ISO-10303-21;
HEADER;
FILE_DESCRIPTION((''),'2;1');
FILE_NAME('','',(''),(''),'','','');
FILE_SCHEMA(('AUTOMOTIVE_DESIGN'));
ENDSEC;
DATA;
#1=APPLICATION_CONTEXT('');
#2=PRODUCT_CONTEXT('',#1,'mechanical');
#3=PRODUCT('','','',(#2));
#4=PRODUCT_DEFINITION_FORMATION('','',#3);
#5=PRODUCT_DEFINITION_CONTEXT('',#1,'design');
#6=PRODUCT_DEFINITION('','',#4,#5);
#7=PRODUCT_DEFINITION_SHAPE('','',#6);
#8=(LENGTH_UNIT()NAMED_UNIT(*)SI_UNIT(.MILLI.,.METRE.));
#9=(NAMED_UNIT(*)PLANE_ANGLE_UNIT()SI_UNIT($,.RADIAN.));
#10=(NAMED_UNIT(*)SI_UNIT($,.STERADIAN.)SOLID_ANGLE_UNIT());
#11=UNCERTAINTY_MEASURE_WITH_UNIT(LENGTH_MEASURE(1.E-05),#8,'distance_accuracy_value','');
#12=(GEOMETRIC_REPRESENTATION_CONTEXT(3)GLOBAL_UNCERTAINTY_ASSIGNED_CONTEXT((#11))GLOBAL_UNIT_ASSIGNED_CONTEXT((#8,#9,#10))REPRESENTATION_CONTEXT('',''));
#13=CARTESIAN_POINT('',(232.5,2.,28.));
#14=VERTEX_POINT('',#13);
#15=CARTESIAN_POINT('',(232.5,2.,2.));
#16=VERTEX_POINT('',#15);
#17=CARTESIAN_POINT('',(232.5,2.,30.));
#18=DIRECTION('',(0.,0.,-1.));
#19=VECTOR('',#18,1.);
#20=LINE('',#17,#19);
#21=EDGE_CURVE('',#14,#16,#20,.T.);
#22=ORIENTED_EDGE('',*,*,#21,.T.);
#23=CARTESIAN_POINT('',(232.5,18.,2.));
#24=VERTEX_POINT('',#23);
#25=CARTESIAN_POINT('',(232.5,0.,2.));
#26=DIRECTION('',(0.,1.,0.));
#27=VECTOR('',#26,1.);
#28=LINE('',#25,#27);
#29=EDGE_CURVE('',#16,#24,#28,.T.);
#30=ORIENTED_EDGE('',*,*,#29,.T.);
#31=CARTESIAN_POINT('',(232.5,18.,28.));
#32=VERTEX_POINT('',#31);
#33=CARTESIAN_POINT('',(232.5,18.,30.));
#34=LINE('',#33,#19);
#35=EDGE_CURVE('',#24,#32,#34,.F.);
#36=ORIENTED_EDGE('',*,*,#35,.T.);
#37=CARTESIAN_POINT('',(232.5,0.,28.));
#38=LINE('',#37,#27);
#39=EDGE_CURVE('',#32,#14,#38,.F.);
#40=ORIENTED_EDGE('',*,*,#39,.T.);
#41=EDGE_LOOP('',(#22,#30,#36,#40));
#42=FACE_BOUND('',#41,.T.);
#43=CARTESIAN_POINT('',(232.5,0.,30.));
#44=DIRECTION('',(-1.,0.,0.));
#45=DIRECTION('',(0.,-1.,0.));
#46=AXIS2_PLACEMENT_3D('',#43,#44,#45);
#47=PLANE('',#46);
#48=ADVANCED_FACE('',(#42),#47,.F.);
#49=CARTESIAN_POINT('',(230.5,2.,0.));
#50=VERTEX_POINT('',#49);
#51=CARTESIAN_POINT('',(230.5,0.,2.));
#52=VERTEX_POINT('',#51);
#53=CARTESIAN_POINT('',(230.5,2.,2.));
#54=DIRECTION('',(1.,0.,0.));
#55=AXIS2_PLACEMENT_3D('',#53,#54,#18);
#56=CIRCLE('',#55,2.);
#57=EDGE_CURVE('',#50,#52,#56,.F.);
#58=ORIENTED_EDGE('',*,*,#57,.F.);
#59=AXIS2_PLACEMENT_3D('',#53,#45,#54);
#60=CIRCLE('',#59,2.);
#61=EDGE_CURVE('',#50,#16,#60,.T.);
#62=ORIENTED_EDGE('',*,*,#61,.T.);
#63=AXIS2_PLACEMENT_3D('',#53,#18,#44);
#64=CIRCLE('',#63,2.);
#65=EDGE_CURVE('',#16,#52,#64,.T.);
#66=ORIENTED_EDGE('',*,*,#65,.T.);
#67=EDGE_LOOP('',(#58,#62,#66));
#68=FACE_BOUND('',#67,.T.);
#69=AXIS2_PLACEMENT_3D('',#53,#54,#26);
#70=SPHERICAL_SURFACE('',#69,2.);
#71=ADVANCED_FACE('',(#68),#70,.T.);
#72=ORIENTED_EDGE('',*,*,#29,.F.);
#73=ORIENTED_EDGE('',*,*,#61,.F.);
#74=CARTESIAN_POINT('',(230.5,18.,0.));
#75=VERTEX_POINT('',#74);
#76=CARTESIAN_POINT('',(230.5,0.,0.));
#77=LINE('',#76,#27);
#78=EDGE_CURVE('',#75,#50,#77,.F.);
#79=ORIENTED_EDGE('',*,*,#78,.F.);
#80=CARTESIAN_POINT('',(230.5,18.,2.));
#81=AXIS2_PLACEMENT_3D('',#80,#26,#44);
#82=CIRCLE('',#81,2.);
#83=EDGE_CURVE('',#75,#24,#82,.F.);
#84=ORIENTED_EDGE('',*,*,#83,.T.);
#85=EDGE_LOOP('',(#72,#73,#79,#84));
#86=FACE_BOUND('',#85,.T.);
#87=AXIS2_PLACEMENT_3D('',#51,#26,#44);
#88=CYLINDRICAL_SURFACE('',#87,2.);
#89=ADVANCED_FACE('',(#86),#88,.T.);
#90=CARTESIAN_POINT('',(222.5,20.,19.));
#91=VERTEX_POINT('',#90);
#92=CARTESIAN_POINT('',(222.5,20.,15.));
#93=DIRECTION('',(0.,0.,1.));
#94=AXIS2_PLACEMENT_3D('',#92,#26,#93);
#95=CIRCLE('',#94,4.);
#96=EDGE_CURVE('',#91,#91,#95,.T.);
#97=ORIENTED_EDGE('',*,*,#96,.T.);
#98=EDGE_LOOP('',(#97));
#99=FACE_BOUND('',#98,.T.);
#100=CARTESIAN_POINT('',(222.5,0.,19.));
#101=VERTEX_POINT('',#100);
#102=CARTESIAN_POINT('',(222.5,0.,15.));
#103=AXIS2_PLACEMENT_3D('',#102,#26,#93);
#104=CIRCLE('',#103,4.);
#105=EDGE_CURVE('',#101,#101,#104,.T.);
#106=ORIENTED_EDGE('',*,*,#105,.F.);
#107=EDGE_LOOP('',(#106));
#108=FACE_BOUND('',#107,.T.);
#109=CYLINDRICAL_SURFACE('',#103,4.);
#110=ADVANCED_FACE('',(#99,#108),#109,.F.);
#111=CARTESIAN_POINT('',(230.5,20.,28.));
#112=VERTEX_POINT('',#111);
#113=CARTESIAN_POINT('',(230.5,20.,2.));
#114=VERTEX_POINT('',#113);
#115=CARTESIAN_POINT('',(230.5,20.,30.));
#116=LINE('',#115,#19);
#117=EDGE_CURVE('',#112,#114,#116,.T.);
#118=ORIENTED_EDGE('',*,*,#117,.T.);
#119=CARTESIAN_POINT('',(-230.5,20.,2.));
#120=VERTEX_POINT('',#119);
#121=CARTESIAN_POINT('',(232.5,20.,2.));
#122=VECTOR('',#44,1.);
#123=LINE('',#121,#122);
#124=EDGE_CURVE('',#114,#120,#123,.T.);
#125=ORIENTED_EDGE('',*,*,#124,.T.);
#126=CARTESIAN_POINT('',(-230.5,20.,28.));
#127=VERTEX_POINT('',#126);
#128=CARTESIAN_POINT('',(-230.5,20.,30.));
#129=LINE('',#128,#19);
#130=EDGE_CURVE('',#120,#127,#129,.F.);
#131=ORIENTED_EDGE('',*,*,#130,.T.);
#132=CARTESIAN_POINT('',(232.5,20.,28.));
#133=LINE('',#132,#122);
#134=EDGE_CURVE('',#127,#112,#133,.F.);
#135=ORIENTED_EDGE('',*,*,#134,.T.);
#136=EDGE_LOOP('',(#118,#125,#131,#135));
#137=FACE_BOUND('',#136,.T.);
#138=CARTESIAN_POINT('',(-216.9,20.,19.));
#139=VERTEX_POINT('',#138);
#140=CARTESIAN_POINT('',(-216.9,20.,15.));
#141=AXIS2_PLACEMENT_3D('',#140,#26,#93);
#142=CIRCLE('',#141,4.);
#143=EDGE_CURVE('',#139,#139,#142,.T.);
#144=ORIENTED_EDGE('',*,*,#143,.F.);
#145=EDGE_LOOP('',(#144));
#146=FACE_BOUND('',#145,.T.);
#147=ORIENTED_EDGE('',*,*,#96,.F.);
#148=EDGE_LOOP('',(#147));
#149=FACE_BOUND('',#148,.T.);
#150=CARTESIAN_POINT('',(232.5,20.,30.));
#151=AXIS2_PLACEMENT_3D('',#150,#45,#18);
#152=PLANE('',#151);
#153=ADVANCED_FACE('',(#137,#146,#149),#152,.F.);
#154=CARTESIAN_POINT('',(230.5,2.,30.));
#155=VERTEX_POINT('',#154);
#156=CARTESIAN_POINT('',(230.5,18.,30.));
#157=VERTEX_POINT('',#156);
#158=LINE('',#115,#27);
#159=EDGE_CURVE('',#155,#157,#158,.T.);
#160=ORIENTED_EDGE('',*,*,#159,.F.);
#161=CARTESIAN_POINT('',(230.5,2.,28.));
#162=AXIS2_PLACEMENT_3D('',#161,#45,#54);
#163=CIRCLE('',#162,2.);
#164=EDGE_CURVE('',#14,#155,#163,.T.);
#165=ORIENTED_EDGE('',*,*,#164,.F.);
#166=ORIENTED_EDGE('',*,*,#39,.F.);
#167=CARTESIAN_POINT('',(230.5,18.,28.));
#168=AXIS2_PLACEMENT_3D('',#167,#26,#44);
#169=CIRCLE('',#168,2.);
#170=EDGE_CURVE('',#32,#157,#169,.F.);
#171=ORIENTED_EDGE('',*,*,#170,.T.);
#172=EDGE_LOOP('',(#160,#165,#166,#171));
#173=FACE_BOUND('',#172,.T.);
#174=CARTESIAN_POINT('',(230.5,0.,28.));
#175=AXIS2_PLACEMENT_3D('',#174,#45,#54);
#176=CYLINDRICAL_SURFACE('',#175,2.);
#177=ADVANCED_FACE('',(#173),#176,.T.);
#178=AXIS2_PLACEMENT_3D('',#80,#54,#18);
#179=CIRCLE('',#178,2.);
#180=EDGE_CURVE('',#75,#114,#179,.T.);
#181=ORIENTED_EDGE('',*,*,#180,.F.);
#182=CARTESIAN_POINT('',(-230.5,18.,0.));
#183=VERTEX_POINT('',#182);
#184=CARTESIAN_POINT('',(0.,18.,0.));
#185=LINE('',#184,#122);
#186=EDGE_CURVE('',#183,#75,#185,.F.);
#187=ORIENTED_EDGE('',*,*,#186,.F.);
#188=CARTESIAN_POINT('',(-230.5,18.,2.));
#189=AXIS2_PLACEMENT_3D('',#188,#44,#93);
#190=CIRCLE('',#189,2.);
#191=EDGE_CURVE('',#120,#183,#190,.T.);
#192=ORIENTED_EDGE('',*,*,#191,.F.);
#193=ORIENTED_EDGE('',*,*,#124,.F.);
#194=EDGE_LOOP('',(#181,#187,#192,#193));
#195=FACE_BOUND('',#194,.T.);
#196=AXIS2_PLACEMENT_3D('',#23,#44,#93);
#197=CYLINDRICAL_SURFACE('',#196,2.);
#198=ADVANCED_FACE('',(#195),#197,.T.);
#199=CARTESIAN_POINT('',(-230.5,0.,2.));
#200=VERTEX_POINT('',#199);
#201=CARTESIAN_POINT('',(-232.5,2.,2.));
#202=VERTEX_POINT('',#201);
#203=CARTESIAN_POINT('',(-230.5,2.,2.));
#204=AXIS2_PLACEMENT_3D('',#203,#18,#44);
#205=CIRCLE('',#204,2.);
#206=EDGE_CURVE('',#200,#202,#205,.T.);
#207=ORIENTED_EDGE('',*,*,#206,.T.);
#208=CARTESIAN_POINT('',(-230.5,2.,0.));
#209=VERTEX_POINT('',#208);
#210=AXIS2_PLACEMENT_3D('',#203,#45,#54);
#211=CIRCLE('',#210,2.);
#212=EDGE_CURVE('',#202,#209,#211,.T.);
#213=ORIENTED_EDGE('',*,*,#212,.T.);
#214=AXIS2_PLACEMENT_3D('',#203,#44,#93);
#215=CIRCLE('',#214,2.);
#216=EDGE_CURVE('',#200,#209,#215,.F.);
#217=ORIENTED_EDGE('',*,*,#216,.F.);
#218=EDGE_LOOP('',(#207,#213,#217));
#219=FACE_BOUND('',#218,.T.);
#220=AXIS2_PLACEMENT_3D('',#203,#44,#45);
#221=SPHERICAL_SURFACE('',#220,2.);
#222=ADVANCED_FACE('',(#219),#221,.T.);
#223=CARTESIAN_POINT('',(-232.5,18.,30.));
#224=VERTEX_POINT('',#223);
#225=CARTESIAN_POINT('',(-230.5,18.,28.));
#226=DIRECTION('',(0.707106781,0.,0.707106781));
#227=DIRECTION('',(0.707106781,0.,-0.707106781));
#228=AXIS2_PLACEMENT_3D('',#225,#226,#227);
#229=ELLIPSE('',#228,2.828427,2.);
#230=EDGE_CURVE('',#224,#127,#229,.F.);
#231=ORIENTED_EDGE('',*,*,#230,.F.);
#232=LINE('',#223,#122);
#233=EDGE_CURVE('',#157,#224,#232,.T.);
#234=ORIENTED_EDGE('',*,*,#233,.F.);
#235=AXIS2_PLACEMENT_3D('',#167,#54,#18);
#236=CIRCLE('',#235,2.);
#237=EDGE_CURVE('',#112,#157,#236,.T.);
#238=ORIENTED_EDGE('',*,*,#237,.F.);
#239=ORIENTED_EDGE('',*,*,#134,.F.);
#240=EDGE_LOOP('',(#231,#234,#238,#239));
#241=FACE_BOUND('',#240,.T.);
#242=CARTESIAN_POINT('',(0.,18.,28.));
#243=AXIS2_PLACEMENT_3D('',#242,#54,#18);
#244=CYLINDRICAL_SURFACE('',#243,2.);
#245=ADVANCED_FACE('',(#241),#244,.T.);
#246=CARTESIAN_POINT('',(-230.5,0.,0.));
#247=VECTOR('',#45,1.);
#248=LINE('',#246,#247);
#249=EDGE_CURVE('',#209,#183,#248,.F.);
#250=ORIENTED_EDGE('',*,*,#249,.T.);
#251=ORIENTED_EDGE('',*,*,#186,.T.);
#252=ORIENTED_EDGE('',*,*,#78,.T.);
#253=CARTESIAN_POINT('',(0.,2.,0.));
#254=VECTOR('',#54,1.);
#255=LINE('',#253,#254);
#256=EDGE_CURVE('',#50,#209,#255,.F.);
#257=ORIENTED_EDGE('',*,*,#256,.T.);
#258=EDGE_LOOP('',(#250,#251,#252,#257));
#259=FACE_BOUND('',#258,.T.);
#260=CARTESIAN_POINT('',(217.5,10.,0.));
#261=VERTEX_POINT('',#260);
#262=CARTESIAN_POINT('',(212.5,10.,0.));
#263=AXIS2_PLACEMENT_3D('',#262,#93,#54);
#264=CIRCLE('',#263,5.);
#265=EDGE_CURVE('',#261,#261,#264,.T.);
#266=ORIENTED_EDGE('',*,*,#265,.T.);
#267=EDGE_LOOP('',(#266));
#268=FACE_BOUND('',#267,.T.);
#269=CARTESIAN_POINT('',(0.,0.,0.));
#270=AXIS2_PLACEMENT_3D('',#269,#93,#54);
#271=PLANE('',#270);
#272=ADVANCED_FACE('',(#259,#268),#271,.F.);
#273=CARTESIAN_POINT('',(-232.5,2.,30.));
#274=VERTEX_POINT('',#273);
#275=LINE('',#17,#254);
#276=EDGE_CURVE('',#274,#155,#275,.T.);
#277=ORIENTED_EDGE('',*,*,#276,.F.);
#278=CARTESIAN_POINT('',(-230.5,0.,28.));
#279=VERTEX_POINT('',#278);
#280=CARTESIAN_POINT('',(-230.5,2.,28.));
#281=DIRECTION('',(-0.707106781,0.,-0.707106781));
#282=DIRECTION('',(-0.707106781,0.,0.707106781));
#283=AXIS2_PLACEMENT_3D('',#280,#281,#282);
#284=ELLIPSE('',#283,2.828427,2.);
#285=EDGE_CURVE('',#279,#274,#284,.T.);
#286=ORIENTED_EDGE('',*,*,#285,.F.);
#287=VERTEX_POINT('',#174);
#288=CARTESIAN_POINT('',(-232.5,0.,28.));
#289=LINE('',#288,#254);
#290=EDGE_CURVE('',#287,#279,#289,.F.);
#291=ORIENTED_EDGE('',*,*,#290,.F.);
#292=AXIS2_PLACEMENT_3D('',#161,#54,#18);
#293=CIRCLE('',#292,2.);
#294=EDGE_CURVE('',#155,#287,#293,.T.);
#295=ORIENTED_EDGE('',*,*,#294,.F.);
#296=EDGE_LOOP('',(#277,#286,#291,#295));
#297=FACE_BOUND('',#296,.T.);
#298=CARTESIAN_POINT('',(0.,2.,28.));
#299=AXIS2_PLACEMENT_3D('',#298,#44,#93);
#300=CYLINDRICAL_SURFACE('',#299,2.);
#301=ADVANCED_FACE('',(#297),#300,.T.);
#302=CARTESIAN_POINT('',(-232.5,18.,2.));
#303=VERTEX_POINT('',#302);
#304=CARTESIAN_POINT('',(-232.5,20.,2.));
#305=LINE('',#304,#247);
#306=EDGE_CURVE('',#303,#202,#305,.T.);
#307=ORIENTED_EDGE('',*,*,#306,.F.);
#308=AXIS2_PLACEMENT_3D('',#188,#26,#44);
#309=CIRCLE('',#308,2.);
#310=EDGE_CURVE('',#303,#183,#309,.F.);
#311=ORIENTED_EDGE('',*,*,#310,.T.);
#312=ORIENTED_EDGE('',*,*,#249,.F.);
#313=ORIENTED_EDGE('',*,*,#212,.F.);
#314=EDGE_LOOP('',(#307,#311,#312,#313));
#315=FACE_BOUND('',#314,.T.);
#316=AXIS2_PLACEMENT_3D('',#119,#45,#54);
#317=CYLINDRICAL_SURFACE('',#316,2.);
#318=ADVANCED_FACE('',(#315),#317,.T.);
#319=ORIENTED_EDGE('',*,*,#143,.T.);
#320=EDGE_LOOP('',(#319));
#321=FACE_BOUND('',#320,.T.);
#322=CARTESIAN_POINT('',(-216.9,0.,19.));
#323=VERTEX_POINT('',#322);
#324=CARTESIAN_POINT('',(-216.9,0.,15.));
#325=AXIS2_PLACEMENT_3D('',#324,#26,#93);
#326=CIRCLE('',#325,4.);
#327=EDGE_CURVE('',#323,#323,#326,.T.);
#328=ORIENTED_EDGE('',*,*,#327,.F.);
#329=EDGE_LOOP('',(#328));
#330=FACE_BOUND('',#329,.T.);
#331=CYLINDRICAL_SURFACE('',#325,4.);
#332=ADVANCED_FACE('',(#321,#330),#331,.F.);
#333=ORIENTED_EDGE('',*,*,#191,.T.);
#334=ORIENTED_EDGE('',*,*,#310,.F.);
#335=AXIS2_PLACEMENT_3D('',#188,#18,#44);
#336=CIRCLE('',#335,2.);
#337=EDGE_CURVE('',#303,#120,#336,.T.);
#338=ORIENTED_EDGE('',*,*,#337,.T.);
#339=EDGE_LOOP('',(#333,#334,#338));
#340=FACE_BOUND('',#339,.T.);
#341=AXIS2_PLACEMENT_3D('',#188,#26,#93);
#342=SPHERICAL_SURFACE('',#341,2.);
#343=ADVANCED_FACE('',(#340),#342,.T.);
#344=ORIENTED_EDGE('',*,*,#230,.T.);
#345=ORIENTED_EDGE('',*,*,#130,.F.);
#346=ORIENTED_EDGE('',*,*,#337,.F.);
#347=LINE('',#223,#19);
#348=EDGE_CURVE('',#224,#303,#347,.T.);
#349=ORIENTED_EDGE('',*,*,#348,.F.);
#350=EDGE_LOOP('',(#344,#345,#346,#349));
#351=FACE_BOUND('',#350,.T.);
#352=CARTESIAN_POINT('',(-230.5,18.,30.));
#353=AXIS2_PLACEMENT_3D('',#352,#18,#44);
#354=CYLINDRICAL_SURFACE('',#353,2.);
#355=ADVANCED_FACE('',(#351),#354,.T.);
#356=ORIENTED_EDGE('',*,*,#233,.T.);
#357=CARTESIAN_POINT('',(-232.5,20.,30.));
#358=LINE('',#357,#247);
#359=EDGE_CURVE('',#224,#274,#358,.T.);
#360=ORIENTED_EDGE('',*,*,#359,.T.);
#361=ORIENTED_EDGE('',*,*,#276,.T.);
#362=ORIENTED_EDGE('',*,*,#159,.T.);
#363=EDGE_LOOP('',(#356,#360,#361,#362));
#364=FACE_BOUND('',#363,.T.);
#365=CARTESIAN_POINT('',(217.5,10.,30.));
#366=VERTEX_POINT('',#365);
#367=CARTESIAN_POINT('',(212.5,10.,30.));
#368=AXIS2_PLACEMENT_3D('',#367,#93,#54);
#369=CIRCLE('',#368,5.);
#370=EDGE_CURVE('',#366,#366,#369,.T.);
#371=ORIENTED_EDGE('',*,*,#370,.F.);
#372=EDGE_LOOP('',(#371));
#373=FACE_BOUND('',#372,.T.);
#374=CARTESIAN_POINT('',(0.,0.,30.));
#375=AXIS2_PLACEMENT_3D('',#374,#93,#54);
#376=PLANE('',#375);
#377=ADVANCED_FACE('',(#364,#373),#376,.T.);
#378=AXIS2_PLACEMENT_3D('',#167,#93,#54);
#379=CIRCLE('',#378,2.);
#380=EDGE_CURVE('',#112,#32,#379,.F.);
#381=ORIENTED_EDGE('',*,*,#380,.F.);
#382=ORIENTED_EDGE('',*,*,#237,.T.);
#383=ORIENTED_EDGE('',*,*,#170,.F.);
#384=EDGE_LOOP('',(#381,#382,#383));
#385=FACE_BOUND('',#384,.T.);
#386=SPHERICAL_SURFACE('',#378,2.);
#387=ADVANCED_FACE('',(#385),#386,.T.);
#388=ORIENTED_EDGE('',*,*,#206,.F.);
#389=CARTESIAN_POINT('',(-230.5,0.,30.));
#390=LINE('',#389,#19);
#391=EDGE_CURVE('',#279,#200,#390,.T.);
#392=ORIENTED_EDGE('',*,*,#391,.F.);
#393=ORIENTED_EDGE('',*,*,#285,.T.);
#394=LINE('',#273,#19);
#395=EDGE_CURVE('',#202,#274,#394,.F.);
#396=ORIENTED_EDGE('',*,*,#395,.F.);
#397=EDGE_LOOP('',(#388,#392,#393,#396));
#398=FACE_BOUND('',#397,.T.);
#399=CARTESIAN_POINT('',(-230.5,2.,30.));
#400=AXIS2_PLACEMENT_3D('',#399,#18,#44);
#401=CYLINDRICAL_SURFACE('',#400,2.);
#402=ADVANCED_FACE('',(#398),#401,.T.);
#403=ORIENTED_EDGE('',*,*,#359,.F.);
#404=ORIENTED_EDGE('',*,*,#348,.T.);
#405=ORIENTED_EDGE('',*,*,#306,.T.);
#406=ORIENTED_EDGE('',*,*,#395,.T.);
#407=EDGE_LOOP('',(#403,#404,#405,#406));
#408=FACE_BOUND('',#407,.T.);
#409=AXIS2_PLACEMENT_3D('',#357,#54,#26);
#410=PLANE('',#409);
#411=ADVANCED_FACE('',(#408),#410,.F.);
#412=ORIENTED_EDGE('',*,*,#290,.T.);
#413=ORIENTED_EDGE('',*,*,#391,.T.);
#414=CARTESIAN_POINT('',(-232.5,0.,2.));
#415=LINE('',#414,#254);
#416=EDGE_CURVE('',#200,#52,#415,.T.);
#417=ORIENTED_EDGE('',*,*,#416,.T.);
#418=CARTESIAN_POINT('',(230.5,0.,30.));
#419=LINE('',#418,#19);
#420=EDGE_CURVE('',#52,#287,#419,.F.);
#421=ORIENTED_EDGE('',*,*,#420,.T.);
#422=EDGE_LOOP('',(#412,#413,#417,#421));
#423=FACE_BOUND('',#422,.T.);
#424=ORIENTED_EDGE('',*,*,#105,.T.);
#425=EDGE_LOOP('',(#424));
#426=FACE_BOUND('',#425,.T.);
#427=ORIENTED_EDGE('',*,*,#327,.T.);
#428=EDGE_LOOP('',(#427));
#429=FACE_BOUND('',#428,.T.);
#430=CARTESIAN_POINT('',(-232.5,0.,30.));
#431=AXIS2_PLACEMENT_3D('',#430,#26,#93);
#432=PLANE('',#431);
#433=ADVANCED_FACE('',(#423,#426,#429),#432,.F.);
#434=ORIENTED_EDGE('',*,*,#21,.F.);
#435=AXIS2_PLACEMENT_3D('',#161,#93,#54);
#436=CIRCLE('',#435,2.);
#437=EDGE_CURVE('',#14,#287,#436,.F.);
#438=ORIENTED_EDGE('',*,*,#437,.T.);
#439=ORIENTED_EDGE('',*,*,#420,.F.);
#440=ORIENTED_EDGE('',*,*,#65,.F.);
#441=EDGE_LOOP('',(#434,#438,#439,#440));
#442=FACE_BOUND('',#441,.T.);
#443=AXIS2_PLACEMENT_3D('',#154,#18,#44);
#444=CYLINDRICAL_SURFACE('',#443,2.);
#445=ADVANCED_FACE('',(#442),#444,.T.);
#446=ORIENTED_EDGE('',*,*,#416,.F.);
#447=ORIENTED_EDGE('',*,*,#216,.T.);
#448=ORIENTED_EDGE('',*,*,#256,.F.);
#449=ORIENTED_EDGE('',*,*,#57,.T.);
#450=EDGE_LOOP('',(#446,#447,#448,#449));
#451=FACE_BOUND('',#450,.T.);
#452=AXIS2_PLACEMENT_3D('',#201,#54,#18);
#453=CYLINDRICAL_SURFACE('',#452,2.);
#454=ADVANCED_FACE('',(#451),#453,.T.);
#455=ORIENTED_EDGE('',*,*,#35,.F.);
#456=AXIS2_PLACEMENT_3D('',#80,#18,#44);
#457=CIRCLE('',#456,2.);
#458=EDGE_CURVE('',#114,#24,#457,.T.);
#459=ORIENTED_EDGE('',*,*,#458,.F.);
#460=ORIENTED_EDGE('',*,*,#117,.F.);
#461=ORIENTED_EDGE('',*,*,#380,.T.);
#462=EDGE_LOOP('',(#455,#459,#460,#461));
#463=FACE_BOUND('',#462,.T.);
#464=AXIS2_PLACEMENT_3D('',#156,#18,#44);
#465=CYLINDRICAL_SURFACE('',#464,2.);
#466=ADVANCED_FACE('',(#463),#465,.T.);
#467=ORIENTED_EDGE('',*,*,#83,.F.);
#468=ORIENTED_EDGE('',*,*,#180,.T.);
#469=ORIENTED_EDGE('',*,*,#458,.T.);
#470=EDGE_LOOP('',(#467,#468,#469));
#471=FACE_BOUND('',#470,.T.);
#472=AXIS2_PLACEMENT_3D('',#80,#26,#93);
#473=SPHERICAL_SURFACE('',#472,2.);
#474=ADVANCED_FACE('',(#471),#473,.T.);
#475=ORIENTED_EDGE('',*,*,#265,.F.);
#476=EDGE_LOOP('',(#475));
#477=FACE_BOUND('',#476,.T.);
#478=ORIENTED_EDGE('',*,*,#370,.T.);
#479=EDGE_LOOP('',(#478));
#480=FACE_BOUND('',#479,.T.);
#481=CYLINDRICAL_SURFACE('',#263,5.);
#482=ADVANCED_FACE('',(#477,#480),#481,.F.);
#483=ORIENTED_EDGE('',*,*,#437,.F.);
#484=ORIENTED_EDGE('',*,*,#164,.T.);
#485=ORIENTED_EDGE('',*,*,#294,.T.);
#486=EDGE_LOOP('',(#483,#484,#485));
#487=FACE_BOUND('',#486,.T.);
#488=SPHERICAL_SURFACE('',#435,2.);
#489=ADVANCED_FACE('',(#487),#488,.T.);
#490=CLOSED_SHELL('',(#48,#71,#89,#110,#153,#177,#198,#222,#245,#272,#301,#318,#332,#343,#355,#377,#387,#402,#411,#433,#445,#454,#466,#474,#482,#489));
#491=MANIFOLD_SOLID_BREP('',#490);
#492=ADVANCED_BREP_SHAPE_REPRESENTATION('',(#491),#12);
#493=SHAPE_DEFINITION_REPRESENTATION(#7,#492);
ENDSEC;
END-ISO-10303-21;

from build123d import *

# Parameters (mm, degrees)
SKETCH1_W           = 465
SKETCH1_H           = 20
BOSS_EXTRUDE1_DEPTH = 30
FILLET1_R           = 2
SKETCH3_R           = 4
CUT_EXTRUDE2_DEPTH  = 236.279089594
SKETCH5_R           = 5
CUT_EXTRUDE4_DEPTH  = 236.279089594
SKETCH8_R           = 4
CUT_EXTRUDE5_DEPTH  = 236.279089594


with BuildPart() as part:
    # Sketch1 → Boss-Extrude1 (new body)
    with BuildSketch(Plane.XY):
        with Locations((0, 10)):
            Rectangle(SKETCH1_W, SKETCH1_H)
    extrude(amount=BOSS_EXTRUDE1_DEPTH)

    # Fillet1
    fillet1_edges = [part.edges().sort_by_distance(p)[0] for p in [
        (232.5, 10, 30),
        (0, 20, 30),
        (0, 20, 0),
        (232.5, 10, 0),
        (0, 0, 0),
        (-232.5, 10, 0),
        (-232.5, 20, 15),
        (232.5, 20, 15),
        (232.5, 0, 15),
        (-232.5, 0, 15),
        (0, 0, 30),
    ]]
    fillet(fillet1_edges, radius=FILLET1_R)

    # Sketch3 → Cut-Extrude2 (cut, through all)
    with BuildSketch(Plane(origin=(0, 20, 0), x_dir=(1, 0, 0), z_dir=(0, 1, 0))):
        with Locations(Location((-216.9, -15, 0), (0, 0, 270))):
            Circle(SKETCH3_R)
    extrude(amount=-CUT_EXTRUDE2_DEPTH, mode=Mode.SUBTRACT)

    # Sketch5 → Cut-Extrude4 (cut, through all)
    with BuildSketch(Plane.XY.offset(30)):
        with Locations((212.5, 10)):
            Circle(SKETCH5_R)
    extrude(amount=-CUT_EXTRUDE4_DEPTH, mode=Mode.SUBTRACT)

    # Sketch8 → Cut-Extrude5 (cut, through all)
    with BuildSketch(Plane(origin=(0, 20, 0), x_dir=(1, 0, 0), z_dir=(0, 1, 0))):
        with Locations(Location((222.5, -15, 0), (0, 0, 270))):
            Circle(SKETCH8_R)
    extrude(amount=-CUT_EXTRUDE5_DEPTH, mode=Mode.SUBTRACT)


solid = part.part
